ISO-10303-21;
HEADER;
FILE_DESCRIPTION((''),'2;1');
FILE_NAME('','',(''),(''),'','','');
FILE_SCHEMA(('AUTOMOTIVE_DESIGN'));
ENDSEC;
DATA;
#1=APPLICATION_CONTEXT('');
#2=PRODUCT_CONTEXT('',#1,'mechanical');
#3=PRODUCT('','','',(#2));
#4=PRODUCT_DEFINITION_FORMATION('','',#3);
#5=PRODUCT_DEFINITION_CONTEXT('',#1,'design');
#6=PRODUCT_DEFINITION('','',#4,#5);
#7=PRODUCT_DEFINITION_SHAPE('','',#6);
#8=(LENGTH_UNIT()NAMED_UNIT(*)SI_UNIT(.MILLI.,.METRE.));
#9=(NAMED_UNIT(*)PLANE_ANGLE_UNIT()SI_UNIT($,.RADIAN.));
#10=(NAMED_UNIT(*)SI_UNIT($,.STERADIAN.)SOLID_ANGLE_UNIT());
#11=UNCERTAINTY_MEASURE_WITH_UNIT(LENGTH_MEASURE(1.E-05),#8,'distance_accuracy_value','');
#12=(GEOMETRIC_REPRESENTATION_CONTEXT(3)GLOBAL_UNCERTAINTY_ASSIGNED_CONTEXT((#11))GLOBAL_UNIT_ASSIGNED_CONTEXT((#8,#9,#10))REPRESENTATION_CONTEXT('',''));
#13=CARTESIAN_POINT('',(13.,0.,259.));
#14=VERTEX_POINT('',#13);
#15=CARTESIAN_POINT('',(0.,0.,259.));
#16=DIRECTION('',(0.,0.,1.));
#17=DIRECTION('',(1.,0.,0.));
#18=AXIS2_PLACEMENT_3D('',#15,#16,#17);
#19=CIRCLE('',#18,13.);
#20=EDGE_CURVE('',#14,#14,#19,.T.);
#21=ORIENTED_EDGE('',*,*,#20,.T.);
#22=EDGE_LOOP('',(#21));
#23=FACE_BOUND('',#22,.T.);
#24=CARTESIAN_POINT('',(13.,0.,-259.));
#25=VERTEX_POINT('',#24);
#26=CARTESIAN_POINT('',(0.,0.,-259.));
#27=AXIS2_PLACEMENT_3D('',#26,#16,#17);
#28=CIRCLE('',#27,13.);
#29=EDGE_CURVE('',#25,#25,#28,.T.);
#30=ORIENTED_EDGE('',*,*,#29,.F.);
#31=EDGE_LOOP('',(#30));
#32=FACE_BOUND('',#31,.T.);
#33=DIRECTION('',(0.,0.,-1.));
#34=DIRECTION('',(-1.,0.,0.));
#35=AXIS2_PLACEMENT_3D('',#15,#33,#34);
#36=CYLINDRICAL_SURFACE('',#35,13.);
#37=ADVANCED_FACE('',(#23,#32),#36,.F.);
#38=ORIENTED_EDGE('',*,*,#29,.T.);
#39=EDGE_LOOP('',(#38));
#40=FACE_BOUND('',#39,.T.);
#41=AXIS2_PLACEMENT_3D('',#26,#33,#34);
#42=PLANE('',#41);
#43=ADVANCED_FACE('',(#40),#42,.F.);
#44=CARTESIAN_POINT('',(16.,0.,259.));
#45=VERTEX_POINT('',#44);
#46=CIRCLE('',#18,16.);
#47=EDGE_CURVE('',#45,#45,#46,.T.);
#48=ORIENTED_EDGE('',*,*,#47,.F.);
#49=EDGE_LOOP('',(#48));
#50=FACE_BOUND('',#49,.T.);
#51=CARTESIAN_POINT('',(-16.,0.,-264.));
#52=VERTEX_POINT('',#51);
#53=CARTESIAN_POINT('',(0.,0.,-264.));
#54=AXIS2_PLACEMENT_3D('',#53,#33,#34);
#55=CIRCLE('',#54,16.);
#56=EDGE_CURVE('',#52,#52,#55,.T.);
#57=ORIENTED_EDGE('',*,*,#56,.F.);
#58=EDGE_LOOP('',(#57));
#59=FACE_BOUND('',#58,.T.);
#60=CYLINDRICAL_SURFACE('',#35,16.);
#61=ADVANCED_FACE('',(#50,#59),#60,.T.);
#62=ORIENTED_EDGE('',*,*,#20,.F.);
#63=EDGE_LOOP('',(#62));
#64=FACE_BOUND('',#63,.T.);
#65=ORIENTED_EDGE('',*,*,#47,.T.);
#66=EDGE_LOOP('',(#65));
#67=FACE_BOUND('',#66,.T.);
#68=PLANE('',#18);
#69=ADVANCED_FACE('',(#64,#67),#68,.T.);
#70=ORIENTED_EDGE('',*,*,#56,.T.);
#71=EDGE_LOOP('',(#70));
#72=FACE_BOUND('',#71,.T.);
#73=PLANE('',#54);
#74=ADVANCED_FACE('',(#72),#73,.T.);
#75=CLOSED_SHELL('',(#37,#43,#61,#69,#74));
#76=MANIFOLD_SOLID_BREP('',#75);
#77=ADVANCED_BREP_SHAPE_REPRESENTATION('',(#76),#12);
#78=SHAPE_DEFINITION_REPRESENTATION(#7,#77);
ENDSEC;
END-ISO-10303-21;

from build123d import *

# Parameters (mm, degrees)
CROQUIS1_R     = 16
EXTRUIR1_DEPTH = 259
VACIADO1_T     = -3
CROQUIS2_R     = 16
EXTRUIR2_DEPTH = 5


with BuildPart() as part:
    # Croquis1 → Extruir1 (new, symmetric)
    with BuildSketch(Plane.XY):
        Circle(CROQUIS1_R)
    extrude(amount=EXTRUIR1_DEPTH, both=True)

    # Vaciado1
    vaciado1_openings = [part.faces().sort_by_distance(p)[0] for p in [
        (0, 0, 259),
        (0, 0, -259),
    ]]
    offset(amount=VACIADO1_T, openings=vaciado1_openings, kind=Kind.INTERSECTION)

    # Croquis2 → Extruir2 (add)
    with BuildSketch(Plane(origin=(0, 0, -259), x_dir=(-1, 0, 0), z_dir=(0, 0, -1))):
        Circle(CROQUIS2_R)
    extrude(amount=EXTRUIR2_DEPTH)


solid = part.part
